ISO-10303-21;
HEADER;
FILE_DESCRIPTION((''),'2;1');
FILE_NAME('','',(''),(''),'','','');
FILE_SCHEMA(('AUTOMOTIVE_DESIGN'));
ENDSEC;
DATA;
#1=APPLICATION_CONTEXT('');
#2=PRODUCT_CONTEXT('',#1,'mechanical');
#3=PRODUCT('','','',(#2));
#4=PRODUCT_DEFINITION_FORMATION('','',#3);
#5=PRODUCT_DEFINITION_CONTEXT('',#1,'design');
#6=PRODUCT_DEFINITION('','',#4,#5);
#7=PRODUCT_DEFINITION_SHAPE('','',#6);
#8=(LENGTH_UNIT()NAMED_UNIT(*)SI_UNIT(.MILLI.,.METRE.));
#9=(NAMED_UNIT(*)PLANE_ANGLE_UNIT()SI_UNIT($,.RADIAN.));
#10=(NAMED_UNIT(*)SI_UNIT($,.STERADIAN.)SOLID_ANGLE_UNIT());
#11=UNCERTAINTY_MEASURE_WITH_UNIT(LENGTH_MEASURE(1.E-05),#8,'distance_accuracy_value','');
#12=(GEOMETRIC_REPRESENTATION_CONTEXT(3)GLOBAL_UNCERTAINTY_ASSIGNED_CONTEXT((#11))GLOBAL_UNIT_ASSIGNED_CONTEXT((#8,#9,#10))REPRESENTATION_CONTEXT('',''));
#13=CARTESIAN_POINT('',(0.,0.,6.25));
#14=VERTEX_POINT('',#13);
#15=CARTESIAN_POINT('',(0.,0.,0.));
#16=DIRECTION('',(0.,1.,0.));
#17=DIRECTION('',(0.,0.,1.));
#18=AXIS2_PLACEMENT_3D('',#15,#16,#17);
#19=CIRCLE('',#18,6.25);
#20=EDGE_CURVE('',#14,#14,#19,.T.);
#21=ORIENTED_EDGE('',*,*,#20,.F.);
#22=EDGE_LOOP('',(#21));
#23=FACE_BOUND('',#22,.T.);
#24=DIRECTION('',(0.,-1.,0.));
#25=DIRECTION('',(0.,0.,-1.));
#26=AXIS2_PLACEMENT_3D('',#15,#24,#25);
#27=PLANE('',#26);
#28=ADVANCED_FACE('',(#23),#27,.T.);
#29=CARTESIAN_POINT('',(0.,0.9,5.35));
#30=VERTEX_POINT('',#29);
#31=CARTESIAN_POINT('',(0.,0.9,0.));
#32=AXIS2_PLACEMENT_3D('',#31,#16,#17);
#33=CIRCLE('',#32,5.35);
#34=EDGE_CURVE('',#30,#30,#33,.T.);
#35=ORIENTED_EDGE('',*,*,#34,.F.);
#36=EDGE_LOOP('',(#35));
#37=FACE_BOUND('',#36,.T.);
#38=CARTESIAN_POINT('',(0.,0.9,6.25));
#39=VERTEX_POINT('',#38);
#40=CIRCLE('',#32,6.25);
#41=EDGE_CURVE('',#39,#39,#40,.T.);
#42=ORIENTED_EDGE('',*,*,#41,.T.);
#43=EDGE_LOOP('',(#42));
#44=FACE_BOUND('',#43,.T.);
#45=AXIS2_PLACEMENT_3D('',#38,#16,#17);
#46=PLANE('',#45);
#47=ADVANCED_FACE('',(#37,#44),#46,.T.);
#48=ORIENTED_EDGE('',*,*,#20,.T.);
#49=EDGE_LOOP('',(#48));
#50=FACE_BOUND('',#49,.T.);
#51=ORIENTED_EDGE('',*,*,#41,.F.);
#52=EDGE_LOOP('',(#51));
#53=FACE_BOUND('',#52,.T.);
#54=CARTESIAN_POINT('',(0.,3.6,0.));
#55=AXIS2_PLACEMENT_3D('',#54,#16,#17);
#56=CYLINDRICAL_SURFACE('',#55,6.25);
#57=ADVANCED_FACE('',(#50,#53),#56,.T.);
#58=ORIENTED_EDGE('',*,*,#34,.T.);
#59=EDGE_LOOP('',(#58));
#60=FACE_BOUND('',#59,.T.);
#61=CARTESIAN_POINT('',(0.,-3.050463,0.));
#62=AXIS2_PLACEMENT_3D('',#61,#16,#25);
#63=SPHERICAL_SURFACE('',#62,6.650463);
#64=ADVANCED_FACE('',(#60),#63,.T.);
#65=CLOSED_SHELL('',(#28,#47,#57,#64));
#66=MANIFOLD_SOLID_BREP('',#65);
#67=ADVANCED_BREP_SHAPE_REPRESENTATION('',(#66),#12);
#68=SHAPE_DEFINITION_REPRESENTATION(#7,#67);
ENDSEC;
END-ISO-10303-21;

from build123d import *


with BuildPart() as part:
    # Sketch1 → Revolve1 (revolve)
    with BuildSketch(Plane(origin=(0, 0, 0), x_dir=(0, 0, -1), z_dir=(1, 0, 0))):
        with BuildLine():
            Line((0, 0), (-6.25, 0))
            Line((-6.25, 0), (-6.25, 0.9))
            Line((-6.25, 0.9), (-5.35, 0.9))
            ThreePointArc((-5.35, 0.9), (-2.996351949, 2.886752935), (0, 3.6))
            Line((0, 3.6), (0, 0))
        make_face()
    revolve(axis=Axis((0, 3.6, 0), (0, -1, 0)))


solid = part.part
